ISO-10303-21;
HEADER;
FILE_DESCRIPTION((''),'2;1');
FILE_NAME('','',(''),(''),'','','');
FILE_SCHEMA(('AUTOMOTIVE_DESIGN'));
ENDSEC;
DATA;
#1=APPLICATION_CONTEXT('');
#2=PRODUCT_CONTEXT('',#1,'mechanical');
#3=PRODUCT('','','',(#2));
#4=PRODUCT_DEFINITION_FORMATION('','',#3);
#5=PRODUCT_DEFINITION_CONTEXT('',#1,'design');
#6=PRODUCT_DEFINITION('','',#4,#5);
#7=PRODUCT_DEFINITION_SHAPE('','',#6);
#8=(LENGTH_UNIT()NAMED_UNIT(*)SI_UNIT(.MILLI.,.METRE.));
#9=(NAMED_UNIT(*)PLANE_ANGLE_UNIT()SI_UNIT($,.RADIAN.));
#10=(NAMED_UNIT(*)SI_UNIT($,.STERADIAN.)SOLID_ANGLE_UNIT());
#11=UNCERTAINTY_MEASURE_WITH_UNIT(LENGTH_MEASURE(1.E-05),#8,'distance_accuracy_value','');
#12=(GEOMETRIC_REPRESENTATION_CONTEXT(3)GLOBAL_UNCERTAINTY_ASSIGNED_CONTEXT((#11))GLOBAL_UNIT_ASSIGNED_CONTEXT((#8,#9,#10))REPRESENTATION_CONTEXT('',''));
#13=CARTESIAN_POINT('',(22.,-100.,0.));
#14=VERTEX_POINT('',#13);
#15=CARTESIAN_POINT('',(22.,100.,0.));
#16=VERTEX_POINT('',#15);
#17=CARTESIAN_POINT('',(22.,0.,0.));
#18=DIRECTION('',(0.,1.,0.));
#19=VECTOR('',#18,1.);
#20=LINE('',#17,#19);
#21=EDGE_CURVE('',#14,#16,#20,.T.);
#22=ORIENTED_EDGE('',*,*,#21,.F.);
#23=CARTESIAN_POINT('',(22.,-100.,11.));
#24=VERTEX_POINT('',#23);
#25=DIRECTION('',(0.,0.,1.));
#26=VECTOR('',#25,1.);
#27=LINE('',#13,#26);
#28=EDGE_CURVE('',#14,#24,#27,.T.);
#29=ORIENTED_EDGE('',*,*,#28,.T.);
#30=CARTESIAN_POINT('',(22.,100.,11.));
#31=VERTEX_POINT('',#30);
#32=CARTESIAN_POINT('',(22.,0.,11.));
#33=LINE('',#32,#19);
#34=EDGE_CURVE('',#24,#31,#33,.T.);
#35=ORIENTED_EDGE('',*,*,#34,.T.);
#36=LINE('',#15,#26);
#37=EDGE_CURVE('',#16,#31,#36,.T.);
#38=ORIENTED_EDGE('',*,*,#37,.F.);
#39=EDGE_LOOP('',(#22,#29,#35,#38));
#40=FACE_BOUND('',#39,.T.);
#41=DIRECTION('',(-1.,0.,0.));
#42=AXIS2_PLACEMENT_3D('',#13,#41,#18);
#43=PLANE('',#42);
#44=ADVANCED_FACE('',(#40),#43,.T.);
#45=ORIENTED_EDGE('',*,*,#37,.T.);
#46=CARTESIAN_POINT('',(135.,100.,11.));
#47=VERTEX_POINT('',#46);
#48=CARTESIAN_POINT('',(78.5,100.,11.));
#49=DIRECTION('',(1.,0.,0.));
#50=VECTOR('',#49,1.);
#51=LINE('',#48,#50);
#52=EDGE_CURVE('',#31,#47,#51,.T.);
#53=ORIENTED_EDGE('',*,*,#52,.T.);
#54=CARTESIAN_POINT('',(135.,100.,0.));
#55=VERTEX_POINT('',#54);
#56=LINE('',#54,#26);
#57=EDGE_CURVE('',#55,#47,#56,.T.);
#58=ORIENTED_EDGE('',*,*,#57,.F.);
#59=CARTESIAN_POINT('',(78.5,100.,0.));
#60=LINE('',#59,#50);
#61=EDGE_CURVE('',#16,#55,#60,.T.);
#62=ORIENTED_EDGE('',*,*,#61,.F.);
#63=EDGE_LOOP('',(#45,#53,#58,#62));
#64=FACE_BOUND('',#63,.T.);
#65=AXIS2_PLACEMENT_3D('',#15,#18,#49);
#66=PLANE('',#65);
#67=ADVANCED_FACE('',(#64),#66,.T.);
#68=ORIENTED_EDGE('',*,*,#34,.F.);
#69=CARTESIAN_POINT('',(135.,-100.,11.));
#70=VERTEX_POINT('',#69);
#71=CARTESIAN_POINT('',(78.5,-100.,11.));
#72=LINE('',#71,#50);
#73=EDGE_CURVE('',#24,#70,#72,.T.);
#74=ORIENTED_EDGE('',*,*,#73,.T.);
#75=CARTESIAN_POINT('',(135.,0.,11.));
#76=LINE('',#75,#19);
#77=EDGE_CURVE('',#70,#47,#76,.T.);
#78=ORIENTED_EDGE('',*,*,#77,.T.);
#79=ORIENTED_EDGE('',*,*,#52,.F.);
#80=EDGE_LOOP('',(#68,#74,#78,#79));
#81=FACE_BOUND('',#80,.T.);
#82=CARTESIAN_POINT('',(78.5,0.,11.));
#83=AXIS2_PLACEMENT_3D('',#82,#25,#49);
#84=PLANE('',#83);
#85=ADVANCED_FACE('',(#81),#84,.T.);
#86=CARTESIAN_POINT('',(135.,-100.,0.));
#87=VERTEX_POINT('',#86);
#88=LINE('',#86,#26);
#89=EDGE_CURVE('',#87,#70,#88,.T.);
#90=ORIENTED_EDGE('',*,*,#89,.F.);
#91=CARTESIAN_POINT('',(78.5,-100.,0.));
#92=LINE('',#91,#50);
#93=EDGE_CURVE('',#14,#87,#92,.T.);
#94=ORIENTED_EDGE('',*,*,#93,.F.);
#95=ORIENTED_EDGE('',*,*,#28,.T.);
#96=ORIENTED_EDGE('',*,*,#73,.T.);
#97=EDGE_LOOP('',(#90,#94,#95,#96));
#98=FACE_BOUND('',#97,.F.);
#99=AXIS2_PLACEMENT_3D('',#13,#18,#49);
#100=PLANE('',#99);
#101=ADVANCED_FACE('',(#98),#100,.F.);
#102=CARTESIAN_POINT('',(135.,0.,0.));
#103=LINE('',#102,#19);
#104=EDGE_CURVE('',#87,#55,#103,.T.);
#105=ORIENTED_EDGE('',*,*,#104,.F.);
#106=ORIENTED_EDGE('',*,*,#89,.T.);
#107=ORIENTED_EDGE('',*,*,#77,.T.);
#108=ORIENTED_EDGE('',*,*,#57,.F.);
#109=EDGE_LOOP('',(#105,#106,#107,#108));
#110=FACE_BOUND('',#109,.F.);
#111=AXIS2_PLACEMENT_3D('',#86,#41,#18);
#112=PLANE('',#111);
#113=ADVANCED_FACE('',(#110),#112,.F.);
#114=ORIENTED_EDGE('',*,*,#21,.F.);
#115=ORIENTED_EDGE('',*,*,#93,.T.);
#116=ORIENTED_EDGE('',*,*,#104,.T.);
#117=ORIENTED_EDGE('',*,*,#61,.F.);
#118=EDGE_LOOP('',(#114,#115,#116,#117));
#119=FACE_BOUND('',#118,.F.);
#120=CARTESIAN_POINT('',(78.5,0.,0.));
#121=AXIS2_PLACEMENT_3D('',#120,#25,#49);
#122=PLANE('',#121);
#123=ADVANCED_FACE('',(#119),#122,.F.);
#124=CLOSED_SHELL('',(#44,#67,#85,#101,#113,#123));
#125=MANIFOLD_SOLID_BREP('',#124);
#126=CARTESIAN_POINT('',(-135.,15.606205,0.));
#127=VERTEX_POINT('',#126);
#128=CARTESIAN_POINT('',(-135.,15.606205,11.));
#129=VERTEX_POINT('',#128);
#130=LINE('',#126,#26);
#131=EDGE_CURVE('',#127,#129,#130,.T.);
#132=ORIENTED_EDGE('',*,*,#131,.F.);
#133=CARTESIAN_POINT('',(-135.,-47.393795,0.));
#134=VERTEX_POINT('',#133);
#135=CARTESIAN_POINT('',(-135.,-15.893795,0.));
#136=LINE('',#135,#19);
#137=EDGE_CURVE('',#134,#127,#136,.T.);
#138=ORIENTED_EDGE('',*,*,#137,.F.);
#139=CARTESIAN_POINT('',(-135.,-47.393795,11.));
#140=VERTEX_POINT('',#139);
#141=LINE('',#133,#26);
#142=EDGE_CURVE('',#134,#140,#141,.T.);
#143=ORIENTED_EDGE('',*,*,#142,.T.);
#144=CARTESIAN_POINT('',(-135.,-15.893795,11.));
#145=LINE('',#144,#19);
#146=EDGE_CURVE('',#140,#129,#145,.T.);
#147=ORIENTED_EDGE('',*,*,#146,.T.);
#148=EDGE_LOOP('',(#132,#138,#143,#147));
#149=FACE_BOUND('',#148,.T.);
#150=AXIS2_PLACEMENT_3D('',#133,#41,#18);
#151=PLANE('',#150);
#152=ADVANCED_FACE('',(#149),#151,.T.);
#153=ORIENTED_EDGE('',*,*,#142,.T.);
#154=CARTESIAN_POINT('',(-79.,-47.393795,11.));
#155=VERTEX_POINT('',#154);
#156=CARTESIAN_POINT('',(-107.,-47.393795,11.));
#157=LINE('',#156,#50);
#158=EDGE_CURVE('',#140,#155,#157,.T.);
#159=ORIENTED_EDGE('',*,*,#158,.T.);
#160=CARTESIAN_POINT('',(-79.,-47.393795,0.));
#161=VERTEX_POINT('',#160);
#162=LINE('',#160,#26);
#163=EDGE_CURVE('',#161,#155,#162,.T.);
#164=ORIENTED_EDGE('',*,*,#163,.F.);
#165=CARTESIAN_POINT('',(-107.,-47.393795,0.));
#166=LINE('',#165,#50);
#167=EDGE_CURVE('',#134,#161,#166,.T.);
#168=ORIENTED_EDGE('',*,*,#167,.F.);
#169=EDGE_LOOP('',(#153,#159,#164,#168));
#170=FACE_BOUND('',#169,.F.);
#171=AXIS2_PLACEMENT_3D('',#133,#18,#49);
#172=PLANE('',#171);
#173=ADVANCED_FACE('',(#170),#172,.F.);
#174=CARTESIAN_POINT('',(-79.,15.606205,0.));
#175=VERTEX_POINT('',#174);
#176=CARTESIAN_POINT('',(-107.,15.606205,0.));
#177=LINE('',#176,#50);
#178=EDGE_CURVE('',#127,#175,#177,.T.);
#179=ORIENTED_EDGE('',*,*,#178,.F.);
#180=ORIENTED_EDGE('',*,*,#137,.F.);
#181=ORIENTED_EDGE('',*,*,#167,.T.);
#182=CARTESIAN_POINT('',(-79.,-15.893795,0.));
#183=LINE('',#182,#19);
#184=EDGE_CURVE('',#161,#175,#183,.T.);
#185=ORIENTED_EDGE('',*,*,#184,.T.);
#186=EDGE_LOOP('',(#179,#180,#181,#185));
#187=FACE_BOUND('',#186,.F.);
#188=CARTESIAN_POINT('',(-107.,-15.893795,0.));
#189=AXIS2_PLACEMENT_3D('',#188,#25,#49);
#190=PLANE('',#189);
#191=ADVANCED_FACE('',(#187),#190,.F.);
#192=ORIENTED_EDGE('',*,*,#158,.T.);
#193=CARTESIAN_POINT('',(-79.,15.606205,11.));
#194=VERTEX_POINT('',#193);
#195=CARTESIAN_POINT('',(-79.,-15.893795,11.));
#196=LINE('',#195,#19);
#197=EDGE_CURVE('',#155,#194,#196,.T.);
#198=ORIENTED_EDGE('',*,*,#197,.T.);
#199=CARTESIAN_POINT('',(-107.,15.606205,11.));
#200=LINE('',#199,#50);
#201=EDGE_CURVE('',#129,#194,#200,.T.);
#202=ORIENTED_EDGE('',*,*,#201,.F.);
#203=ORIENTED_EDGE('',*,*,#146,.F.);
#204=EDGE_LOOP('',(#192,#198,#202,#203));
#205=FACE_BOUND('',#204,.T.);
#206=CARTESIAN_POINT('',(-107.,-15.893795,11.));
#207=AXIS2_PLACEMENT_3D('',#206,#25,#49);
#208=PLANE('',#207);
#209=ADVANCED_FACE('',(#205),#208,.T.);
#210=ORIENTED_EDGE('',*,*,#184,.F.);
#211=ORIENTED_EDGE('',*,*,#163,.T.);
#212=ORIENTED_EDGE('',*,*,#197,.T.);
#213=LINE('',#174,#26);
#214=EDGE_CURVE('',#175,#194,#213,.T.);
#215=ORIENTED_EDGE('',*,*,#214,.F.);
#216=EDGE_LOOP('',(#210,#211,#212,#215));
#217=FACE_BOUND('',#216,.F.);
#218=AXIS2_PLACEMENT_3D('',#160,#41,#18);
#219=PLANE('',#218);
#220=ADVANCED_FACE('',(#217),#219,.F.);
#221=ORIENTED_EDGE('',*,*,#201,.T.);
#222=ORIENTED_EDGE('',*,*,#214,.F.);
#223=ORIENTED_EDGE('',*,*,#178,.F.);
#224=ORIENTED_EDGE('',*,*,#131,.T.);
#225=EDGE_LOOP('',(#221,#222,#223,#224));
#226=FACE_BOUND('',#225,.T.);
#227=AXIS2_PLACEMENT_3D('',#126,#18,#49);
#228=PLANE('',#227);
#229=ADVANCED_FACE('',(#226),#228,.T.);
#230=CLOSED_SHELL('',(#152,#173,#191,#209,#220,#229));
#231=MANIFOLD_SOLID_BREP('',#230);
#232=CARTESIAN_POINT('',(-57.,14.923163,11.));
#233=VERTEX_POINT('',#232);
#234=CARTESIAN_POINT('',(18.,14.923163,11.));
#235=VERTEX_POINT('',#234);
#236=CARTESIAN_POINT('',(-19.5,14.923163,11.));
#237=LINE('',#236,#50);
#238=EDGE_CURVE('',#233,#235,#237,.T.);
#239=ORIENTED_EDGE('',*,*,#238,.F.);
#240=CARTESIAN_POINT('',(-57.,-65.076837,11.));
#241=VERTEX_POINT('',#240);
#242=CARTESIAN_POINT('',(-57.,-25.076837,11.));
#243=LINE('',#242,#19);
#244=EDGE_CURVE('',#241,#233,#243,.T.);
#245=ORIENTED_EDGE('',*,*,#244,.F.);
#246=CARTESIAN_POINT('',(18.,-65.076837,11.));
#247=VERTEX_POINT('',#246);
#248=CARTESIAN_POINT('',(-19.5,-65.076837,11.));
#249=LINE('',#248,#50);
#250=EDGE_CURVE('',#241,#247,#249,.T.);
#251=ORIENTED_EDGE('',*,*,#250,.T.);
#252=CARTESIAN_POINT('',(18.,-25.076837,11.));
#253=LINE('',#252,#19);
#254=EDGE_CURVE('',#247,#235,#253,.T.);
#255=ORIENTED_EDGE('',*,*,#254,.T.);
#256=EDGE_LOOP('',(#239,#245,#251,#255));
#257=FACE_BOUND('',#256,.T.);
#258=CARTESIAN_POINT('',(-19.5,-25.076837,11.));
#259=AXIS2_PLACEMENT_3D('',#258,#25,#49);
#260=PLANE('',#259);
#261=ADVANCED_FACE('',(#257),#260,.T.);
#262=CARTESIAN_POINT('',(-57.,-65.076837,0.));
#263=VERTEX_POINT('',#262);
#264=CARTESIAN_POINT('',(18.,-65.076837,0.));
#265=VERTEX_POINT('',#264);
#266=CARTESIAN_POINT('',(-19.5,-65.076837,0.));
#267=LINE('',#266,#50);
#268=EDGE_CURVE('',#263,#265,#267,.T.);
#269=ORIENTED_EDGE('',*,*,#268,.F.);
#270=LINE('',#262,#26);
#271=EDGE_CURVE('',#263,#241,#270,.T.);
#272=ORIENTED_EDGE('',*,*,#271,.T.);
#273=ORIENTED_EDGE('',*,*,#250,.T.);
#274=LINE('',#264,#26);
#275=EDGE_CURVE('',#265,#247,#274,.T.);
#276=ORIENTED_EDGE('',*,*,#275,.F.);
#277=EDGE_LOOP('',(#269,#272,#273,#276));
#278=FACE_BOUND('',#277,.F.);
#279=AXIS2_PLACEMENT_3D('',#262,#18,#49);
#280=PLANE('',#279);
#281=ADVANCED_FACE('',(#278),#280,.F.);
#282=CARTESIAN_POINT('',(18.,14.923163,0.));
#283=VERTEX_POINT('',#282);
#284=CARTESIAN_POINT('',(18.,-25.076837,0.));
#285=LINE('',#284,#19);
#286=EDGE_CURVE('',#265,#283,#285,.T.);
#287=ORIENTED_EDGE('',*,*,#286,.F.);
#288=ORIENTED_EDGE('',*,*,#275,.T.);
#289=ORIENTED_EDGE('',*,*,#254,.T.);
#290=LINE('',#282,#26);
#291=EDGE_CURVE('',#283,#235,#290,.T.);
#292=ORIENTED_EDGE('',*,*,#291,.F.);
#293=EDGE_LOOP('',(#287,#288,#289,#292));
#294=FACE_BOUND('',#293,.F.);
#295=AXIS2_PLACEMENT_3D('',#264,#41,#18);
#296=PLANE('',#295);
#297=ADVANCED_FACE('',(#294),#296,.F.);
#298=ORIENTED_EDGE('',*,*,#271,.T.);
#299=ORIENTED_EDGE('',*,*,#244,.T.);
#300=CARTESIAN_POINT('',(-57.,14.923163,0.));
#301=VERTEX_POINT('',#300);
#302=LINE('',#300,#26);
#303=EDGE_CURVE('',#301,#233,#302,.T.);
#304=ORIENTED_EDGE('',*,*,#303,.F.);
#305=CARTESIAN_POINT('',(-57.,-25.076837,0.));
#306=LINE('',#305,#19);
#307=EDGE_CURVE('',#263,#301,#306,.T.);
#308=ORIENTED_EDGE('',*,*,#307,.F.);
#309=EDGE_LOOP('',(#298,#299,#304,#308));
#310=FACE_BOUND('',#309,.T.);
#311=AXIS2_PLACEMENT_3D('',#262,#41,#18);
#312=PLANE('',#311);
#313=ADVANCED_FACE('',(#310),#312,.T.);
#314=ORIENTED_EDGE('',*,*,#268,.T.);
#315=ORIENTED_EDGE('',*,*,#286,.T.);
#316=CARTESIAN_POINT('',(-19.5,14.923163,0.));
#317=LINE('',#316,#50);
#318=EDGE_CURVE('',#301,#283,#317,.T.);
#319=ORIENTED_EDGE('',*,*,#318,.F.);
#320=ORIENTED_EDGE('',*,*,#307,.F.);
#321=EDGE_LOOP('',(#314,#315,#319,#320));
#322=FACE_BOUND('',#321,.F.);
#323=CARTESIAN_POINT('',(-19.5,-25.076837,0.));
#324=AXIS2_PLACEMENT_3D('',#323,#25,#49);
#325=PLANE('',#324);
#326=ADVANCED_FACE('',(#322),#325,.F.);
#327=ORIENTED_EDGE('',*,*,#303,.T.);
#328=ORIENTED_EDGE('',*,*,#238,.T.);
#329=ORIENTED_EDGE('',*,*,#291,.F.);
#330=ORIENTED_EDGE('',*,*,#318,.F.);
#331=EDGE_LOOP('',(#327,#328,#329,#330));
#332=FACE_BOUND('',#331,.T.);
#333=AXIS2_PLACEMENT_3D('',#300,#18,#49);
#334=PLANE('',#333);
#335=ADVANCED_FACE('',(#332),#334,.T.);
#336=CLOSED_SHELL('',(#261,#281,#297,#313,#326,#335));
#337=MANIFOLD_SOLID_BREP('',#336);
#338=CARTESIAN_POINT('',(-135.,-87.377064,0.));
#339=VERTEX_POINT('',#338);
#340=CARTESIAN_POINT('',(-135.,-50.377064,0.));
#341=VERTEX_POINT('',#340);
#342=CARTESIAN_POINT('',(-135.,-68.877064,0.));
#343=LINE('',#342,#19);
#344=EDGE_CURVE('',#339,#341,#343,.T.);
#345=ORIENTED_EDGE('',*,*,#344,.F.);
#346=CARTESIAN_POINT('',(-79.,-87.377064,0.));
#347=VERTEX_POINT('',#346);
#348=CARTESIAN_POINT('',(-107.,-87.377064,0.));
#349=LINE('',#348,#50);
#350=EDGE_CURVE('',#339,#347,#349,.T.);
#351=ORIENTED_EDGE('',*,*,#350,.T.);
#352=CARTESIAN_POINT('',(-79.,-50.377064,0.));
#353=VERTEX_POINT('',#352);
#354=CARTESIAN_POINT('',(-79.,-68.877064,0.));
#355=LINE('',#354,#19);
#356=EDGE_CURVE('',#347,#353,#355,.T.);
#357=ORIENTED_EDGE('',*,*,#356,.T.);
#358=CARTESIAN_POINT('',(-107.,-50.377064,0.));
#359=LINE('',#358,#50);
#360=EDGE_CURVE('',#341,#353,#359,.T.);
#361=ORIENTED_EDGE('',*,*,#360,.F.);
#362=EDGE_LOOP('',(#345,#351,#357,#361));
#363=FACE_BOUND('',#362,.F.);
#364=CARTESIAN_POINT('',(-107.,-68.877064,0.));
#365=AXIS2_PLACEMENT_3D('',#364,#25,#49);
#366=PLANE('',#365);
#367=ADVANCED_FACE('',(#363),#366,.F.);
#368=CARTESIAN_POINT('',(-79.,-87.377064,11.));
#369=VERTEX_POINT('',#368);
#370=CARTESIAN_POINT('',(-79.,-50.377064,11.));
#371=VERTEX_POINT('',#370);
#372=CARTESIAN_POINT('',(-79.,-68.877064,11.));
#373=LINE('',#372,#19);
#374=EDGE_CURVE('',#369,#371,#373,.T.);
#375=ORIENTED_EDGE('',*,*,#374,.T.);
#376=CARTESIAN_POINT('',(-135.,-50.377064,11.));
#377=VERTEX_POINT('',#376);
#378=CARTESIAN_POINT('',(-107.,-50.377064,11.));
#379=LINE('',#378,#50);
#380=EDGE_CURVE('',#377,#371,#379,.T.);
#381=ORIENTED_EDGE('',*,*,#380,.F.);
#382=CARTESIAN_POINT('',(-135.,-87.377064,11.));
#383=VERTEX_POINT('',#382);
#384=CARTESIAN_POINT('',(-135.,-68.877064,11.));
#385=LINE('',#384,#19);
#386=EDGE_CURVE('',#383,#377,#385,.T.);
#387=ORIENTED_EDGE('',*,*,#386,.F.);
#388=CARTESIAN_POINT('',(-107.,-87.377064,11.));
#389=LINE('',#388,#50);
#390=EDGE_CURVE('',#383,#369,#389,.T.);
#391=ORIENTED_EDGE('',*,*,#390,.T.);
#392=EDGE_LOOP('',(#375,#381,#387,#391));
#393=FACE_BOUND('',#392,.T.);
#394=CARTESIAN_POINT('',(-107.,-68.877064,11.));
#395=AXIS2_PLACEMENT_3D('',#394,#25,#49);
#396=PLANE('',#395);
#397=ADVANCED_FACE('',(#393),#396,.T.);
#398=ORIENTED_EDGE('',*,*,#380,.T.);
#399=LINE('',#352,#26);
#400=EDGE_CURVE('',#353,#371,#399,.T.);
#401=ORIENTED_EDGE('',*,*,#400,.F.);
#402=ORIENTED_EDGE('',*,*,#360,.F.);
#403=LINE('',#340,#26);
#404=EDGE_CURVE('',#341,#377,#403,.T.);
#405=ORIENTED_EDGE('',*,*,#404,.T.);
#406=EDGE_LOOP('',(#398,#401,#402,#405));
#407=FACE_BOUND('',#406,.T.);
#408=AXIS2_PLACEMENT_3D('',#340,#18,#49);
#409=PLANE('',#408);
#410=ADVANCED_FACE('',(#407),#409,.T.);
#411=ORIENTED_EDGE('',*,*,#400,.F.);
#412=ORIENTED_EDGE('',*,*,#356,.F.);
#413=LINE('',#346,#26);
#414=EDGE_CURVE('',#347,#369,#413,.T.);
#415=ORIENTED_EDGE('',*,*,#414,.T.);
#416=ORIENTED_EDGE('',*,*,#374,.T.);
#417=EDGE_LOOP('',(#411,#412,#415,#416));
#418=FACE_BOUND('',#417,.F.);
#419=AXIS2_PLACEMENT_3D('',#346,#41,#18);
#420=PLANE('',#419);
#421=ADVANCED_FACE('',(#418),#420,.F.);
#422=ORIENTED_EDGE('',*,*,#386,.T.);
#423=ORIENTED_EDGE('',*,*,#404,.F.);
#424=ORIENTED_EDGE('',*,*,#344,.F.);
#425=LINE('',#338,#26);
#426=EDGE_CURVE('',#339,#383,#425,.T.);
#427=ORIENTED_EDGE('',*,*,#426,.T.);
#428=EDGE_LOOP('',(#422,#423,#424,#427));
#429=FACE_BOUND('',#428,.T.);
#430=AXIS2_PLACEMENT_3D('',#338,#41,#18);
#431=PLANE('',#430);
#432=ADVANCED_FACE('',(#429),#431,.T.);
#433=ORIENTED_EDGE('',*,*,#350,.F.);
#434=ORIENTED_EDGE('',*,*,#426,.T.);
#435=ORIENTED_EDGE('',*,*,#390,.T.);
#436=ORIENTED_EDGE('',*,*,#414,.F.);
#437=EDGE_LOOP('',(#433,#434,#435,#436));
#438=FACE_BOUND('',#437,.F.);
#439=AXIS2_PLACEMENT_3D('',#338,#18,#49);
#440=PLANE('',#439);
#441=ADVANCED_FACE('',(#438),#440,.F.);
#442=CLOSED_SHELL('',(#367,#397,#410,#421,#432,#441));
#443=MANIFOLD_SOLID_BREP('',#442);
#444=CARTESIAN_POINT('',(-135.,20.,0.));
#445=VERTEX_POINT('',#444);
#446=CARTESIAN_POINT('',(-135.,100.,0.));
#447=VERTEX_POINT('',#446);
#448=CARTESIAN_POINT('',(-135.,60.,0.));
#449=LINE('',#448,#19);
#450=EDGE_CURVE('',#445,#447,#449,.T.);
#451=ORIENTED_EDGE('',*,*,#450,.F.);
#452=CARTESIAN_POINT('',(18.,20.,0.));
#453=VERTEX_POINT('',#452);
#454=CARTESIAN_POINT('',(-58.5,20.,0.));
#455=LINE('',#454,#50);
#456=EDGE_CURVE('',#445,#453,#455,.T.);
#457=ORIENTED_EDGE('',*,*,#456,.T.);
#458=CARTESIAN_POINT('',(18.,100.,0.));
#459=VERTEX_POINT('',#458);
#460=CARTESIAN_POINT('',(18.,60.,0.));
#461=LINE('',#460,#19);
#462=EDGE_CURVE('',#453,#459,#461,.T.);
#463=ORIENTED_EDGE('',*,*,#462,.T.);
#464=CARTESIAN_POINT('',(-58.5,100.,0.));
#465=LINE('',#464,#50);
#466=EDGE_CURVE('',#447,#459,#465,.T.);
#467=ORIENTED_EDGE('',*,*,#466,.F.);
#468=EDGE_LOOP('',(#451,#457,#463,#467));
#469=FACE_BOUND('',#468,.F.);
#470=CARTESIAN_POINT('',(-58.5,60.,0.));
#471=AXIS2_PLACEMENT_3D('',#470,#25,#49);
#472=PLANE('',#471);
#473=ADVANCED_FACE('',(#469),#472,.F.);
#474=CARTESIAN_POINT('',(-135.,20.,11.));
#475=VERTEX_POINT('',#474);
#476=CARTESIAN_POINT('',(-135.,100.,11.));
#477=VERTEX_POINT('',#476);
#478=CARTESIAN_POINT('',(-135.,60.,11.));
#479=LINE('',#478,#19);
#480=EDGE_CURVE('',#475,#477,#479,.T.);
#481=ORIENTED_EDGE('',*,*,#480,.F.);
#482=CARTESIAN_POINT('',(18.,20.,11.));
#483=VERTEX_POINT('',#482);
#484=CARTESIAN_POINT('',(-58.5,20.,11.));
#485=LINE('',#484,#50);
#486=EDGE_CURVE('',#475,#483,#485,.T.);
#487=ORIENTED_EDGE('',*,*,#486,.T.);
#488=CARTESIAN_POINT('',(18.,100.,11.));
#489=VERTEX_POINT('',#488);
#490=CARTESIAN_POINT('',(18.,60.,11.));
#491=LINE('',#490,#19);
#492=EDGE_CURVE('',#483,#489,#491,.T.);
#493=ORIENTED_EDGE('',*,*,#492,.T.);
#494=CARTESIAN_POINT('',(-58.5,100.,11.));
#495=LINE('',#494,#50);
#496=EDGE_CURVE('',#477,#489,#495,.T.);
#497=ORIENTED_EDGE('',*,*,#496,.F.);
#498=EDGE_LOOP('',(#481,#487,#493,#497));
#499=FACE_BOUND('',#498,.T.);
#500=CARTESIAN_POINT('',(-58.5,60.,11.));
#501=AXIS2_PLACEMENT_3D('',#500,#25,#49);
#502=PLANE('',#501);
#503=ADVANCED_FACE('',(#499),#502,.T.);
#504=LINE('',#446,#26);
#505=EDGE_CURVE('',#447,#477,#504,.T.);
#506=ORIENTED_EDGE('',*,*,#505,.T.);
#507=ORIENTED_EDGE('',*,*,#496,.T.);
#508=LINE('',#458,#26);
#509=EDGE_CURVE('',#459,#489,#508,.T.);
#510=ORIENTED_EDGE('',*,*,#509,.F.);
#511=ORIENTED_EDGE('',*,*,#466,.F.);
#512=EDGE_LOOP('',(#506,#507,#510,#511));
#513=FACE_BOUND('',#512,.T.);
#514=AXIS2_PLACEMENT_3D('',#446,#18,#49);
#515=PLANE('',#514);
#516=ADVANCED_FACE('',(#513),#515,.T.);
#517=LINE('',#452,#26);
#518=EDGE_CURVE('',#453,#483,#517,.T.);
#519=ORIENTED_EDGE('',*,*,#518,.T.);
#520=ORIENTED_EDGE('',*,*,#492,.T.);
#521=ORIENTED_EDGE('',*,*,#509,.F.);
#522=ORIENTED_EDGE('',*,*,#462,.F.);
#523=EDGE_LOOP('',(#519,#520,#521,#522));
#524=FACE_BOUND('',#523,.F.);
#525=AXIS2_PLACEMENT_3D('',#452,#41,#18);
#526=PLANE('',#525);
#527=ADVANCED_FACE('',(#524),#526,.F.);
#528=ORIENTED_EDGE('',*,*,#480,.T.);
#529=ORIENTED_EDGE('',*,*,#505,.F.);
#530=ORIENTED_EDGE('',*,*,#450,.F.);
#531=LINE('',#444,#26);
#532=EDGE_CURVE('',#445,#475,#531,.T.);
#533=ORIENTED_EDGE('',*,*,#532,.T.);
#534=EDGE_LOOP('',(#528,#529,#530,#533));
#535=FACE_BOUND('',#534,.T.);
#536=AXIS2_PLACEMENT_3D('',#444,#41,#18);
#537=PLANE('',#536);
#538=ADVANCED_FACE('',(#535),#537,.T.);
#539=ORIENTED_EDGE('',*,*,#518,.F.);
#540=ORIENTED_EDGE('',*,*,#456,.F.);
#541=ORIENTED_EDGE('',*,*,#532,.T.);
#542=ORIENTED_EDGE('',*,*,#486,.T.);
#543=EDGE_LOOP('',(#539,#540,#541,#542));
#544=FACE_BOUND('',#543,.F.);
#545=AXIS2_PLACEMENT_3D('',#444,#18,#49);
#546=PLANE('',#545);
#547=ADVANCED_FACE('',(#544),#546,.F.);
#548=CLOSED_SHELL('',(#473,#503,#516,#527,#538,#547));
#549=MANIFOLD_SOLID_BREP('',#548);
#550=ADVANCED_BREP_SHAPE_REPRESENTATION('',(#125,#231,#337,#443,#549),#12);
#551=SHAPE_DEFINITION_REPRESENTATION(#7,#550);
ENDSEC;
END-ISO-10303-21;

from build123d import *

# Parameters (mm, degrees)
F0_W     = 153
F0_H     = 80
F0_W_2   = 56
F0_H_2   = 63
F0_H_3   = 37
F0_W_3   = 75
F0_W_4   = 113
F0_H_4   = 200
F1_DEPTH = 11


with BuildPart() as f1:
    # F0 (on Top) → F1 (new body)
    with BuildSketch(Plane.XY):
        with Locations((-58.5, 60)):
            Rectangle(F0_W, F0_H)
        with Locations((-107, -15.893795)):
            Rectangle(F0_W_2, F0_H_2)
        with Locations((-107, -68.877064)):
            Rectangle(F0_W_2, F0_H_3)
        with Locations((-19.5, -25.076837)):
            Rectangle(F0_W_3, F0_H)
        with Locations((78.5, 0)):
            Rectangle(F0_W_4, F0_H_4)
    extrude(amount=F1_DEPTH)


solid = f1.part
